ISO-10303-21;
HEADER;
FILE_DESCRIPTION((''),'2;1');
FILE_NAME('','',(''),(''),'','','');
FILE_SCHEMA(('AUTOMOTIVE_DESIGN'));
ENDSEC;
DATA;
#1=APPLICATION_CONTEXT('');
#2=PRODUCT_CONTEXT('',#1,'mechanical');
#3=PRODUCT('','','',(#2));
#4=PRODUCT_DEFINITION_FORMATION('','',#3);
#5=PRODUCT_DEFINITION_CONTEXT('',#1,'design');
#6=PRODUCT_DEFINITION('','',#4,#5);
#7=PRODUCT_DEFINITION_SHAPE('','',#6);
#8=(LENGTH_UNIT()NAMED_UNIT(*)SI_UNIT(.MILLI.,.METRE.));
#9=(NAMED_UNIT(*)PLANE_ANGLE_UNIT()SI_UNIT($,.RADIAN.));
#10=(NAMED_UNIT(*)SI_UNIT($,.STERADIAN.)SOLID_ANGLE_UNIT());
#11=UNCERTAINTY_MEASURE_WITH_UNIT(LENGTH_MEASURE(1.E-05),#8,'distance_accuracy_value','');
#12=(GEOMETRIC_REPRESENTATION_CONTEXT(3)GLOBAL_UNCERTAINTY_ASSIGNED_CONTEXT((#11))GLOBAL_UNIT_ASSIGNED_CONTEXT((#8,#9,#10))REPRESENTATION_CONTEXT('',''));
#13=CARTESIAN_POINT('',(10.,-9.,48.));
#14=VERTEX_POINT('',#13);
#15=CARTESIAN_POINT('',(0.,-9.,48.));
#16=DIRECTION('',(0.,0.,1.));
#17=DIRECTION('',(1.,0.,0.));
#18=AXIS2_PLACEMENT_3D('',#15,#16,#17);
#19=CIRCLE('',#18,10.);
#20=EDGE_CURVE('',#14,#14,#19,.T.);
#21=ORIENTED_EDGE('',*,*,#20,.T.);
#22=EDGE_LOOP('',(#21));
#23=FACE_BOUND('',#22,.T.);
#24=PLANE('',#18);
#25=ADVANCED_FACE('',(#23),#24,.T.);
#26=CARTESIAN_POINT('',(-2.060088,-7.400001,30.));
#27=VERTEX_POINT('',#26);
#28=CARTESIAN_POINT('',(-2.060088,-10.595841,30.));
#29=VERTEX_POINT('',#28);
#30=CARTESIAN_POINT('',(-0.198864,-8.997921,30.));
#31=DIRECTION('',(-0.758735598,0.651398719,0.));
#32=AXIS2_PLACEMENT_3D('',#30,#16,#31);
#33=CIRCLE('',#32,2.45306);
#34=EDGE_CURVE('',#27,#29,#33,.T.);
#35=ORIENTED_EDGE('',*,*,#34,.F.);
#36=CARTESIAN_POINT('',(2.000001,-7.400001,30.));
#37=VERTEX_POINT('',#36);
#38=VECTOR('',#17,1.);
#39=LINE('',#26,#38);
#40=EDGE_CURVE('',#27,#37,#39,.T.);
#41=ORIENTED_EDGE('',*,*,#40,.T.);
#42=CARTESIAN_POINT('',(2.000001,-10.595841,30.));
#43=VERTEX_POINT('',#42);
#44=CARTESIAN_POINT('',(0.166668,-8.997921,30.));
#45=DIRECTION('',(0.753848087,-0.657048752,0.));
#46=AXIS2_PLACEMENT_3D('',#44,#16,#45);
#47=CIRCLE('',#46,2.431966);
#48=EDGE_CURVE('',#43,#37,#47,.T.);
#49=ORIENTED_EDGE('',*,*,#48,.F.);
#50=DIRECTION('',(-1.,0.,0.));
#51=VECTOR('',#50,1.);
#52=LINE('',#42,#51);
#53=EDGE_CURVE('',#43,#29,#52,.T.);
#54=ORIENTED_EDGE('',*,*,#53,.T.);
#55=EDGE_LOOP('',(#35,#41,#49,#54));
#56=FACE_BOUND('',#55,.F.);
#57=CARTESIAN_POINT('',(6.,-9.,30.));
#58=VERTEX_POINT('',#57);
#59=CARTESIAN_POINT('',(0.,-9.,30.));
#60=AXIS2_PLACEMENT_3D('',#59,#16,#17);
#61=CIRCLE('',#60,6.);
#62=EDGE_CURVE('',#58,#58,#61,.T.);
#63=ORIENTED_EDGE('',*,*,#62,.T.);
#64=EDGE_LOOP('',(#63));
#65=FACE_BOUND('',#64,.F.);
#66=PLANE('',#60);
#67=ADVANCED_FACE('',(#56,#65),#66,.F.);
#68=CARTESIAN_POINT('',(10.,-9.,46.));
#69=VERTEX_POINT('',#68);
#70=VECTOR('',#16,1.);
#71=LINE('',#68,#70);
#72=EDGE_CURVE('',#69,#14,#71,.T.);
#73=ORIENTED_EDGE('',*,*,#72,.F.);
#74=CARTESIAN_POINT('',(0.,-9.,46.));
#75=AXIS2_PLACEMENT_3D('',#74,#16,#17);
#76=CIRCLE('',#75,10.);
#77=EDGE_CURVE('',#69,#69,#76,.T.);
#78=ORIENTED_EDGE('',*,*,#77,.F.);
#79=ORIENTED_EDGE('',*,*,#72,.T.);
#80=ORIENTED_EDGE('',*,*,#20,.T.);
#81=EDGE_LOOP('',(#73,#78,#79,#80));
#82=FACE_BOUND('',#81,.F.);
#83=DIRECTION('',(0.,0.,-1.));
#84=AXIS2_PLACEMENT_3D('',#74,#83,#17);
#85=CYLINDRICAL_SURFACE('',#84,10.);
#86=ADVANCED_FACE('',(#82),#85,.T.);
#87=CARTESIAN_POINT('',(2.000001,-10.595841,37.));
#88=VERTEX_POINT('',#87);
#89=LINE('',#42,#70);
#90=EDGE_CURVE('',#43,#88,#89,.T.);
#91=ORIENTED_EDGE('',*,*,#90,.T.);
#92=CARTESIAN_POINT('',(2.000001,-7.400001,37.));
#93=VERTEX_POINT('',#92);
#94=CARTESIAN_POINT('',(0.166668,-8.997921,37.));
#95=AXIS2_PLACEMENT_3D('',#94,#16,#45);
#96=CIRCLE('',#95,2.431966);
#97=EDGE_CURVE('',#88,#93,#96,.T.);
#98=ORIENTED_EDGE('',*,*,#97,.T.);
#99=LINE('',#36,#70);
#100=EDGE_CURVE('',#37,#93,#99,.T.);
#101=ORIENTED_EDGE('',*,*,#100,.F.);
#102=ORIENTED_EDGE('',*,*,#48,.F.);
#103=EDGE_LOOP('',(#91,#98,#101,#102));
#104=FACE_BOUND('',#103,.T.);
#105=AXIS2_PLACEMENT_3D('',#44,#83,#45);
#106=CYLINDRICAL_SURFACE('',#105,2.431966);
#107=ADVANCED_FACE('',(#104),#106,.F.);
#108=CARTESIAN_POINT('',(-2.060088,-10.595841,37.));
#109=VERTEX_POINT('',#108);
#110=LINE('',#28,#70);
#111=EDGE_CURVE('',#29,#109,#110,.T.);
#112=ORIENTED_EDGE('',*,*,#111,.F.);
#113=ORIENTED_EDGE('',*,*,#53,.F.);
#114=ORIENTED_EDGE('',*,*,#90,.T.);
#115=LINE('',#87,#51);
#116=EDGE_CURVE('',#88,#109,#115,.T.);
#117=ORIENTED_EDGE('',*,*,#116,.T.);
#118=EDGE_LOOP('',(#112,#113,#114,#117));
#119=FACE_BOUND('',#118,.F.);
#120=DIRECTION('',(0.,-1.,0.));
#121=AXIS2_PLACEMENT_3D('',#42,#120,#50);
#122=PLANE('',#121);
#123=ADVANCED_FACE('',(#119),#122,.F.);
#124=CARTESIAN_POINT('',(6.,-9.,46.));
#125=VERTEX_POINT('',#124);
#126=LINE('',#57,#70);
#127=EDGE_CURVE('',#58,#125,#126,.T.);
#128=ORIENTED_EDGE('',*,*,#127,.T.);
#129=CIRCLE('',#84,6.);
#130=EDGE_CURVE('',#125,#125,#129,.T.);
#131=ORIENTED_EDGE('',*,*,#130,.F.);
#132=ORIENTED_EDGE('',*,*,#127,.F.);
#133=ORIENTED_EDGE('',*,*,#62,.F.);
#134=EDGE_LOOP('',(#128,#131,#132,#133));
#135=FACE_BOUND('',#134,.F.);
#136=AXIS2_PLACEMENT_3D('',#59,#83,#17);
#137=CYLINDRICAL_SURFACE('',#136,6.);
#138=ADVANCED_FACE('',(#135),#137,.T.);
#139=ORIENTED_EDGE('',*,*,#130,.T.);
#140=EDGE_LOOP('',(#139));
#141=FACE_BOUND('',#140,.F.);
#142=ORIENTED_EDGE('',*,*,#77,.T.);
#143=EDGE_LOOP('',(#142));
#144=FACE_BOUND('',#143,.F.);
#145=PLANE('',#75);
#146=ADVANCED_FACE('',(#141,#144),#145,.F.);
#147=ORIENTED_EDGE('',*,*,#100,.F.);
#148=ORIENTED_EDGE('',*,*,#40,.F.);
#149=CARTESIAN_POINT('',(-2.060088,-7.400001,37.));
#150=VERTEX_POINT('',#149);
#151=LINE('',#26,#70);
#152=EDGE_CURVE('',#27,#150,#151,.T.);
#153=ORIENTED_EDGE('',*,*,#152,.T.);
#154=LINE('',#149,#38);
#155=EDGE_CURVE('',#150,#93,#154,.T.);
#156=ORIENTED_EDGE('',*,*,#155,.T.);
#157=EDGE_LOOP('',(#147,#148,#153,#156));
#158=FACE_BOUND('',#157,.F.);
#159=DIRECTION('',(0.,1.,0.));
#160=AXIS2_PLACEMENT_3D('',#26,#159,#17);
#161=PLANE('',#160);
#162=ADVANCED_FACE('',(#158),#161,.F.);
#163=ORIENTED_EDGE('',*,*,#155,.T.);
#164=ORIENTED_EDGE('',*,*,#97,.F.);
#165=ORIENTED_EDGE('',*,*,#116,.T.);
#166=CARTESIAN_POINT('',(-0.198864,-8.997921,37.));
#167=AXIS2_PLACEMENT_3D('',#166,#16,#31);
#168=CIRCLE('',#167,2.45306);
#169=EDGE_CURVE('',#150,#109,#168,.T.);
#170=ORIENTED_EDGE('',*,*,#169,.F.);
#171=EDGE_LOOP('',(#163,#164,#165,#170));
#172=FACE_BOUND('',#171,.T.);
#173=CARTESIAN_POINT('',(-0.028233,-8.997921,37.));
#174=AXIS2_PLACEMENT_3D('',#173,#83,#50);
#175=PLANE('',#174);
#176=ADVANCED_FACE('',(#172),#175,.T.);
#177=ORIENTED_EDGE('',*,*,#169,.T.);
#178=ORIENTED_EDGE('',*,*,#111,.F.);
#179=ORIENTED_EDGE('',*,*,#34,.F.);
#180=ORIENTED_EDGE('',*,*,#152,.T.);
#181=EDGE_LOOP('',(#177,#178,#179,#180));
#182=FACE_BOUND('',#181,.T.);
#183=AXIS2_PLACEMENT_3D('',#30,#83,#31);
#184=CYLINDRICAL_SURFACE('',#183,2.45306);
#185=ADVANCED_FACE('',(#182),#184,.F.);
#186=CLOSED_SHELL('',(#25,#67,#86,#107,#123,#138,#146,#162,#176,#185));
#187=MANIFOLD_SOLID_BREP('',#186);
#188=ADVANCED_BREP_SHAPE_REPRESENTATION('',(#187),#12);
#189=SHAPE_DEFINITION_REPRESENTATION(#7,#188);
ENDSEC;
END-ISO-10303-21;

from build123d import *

# Parameters (mm, degrees)
EXTRUDE002_DEPTH  = 7
CYLINDER006_R     = 6
CYLINDER006_DEPTH = 17
CYLINDER_R        = 10
CYLINDER_DEPTH    = 2


with BuildPart() as extrude002:
    # Sketch → Extrude002 (new body)
    with BuildSketch(Plane.XY):
        with BuildLine():
            Line((-2.060088, 8.599999), (2.000001, 8.599999))
            ThreePointArc((2.000001, 5.404159), (2.598634, 7.002079), (2.000001, 8.599999))
            Line((2.000001, 5.404159), (-2.060088, 5.404159))
            ThreePointArc((-2.060088, 8.599999), (-2.651924, 7.002079), (-2.060088, 5.404159))
        make_face()
    extrude(amount=EXTRUDE002_DEPTH)


with BuildPart() as extrude002_1:
    # Extrude002 placement: moved
    add(extrude002.part.moved(Location((-1, 18, 24))))


with BuildPart() as cut015:
    # Cylinder006 → Cylinder006 (new body)
    with BuildSketch(Plane(origin=(-1, 25, 24), x_dir=(1, 0, 0), z_dir=(0, 0, 1))):
        Circle(CYLINDER006_R)
    extrude(amount=CYLINDER006_DEPTH)

    # Cut015: cut Extrude002
    add(extrude002_1.part, mode=Mode.SUBTRACT)


with BuildPart() as acoclador:
    # Cylinder → Cylinder (new body)
    with BuildSketch(Plane(origin=(-1, 25, 40), x_dir=(1, 0, 0), z_dir=(0, 0, 1))):
        Circle(CYLINDER_R)
    extrude(amount=CYLINDER_DEPTH)

    # Fusion014: union Cut015
    add(cut015.part)


with BuildPart() as acoclador_1:
    # Fusion014 placement: moved
    add(acoclador.part.moved(Location((1, -34, 6))))


solid = acoclador_1.part
